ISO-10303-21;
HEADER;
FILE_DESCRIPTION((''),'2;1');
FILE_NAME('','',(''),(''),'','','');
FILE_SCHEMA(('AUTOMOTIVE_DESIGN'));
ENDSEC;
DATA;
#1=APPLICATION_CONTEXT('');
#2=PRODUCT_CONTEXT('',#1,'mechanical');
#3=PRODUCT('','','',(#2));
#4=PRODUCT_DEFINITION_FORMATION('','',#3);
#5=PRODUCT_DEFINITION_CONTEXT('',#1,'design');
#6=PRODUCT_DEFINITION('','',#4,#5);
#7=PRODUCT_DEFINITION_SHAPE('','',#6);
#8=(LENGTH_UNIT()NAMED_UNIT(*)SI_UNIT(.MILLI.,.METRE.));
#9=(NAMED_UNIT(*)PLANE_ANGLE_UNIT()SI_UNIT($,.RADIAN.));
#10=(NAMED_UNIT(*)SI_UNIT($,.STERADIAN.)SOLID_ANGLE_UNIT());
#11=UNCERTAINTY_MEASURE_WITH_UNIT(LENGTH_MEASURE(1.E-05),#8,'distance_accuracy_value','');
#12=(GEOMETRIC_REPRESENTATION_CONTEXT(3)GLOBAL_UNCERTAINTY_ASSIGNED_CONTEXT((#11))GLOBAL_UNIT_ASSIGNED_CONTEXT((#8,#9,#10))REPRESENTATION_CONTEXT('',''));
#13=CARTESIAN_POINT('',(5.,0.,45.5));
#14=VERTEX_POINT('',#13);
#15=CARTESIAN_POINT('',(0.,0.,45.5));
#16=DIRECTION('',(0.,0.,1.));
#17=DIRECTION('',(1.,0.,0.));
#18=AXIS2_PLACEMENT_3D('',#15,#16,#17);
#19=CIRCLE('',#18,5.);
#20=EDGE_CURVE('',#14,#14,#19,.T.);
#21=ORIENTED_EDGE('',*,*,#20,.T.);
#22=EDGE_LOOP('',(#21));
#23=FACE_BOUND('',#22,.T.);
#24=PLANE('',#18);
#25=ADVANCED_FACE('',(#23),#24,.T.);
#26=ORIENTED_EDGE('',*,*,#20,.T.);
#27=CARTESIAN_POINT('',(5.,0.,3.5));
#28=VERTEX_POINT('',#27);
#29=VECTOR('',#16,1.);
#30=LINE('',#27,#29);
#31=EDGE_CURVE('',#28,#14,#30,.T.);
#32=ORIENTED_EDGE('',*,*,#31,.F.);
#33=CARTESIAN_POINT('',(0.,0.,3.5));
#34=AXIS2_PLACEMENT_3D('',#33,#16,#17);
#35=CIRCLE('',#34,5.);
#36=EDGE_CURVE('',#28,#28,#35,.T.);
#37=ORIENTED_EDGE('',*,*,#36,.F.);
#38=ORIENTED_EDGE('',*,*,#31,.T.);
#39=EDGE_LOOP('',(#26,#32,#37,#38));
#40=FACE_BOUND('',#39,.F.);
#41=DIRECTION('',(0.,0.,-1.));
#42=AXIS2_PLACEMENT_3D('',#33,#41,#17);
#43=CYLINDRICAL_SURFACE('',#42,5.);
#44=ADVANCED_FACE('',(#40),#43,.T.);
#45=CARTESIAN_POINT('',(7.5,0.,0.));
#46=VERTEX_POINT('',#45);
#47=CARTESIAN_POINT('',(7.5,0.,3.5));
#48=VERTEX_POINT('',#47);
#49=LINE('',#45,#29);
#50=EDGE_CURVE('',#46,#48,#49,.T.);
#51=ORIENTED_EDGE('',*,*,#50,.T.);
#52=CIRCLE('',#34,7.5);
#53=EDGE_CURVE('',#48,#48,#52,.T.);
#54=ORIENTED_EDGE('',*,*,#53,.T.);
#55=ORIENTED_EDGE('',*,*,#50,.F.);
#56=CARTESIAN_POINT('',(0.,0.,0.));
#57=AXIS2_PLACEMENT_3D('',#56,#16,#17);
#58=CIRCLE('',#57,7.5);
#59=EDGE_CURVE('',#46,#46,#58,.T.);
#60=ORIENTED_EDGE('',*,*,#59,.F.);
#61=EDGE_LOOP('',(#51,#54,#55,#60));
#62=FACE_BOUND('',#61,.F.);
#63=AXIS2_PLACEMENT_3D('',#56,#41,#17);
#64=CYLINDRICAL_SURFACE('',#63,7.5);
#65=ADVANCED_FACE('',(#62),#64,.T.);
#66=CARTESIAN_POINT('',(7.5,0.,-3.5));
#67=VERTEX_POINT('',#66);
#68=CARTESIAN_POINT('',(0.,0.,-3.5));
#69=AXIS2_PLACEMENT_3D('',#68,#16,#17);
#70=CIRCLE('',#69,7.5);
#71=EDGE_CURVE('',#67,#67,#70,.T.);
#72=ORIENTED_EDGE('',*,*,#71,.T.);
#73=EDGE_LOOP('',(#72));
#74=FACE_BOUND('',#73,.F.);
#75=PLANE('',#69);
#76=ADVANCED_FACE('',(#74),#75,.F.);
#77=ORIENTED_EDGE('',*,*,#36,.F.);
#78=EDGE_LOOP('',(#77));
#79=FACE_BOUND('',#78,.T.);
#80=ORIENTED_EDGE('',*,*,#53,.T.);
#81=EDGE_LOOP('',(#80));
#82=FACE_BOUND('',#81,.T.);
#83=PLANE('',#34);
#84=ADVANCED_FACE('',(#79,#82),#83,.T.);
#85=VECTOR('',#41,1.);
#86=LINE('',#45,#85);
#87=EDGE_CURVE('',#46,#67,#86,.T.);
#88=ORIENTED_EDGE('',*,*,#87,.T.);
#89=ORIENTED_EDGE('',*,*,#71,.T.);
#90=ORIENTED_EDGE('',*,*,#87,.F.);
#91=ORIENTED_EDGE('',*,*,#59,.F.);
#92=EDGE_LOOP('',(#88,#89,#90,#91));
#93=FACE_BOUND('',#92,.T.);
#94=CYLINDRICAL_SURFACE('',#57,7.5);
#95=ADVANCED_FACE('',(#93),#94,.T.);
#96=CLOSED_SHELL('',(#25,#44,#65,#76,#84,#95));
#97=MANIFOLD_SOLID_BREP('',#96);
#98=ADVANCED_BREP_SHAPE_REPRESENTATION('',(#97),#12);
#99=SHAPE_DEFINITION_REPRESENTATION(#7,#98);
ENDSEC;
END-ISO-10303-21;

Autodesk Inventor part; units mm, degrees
ref_plane "YZ Plane" through (0, 0, 0) normal (1, 0, 0) x (0, 1, 0)
ref_plane "XZ Plane" through (0, 0, 0) normal (0, 1, 0) x (-1, 0, 0)
ref_plane "XY Plane" through (0, 0, 0) normal (0, 0, 1) x (1, 0, 0)
sketch "Esboço3" plane through (0, 0, 0) normal (0, 0, 1) x (1, 0, 0)
  circle A0 centre (0, 0) radius 7.5
  dimension "d6" = 15
extrude "Extrusão3" add sketch "Esboço3" along normal mid plane 7
sketch "Esboço4" plane through (0, 0, 3.5) normal (0, 0, 1) x (1, 0, 0)
  circle A0 centre (0, 0) radius 5
  dimension "d9" = 10
extrude "Extrusão4" add sketch "Esboço4" along normal blind 42
properties part number "Link_Pistão"
